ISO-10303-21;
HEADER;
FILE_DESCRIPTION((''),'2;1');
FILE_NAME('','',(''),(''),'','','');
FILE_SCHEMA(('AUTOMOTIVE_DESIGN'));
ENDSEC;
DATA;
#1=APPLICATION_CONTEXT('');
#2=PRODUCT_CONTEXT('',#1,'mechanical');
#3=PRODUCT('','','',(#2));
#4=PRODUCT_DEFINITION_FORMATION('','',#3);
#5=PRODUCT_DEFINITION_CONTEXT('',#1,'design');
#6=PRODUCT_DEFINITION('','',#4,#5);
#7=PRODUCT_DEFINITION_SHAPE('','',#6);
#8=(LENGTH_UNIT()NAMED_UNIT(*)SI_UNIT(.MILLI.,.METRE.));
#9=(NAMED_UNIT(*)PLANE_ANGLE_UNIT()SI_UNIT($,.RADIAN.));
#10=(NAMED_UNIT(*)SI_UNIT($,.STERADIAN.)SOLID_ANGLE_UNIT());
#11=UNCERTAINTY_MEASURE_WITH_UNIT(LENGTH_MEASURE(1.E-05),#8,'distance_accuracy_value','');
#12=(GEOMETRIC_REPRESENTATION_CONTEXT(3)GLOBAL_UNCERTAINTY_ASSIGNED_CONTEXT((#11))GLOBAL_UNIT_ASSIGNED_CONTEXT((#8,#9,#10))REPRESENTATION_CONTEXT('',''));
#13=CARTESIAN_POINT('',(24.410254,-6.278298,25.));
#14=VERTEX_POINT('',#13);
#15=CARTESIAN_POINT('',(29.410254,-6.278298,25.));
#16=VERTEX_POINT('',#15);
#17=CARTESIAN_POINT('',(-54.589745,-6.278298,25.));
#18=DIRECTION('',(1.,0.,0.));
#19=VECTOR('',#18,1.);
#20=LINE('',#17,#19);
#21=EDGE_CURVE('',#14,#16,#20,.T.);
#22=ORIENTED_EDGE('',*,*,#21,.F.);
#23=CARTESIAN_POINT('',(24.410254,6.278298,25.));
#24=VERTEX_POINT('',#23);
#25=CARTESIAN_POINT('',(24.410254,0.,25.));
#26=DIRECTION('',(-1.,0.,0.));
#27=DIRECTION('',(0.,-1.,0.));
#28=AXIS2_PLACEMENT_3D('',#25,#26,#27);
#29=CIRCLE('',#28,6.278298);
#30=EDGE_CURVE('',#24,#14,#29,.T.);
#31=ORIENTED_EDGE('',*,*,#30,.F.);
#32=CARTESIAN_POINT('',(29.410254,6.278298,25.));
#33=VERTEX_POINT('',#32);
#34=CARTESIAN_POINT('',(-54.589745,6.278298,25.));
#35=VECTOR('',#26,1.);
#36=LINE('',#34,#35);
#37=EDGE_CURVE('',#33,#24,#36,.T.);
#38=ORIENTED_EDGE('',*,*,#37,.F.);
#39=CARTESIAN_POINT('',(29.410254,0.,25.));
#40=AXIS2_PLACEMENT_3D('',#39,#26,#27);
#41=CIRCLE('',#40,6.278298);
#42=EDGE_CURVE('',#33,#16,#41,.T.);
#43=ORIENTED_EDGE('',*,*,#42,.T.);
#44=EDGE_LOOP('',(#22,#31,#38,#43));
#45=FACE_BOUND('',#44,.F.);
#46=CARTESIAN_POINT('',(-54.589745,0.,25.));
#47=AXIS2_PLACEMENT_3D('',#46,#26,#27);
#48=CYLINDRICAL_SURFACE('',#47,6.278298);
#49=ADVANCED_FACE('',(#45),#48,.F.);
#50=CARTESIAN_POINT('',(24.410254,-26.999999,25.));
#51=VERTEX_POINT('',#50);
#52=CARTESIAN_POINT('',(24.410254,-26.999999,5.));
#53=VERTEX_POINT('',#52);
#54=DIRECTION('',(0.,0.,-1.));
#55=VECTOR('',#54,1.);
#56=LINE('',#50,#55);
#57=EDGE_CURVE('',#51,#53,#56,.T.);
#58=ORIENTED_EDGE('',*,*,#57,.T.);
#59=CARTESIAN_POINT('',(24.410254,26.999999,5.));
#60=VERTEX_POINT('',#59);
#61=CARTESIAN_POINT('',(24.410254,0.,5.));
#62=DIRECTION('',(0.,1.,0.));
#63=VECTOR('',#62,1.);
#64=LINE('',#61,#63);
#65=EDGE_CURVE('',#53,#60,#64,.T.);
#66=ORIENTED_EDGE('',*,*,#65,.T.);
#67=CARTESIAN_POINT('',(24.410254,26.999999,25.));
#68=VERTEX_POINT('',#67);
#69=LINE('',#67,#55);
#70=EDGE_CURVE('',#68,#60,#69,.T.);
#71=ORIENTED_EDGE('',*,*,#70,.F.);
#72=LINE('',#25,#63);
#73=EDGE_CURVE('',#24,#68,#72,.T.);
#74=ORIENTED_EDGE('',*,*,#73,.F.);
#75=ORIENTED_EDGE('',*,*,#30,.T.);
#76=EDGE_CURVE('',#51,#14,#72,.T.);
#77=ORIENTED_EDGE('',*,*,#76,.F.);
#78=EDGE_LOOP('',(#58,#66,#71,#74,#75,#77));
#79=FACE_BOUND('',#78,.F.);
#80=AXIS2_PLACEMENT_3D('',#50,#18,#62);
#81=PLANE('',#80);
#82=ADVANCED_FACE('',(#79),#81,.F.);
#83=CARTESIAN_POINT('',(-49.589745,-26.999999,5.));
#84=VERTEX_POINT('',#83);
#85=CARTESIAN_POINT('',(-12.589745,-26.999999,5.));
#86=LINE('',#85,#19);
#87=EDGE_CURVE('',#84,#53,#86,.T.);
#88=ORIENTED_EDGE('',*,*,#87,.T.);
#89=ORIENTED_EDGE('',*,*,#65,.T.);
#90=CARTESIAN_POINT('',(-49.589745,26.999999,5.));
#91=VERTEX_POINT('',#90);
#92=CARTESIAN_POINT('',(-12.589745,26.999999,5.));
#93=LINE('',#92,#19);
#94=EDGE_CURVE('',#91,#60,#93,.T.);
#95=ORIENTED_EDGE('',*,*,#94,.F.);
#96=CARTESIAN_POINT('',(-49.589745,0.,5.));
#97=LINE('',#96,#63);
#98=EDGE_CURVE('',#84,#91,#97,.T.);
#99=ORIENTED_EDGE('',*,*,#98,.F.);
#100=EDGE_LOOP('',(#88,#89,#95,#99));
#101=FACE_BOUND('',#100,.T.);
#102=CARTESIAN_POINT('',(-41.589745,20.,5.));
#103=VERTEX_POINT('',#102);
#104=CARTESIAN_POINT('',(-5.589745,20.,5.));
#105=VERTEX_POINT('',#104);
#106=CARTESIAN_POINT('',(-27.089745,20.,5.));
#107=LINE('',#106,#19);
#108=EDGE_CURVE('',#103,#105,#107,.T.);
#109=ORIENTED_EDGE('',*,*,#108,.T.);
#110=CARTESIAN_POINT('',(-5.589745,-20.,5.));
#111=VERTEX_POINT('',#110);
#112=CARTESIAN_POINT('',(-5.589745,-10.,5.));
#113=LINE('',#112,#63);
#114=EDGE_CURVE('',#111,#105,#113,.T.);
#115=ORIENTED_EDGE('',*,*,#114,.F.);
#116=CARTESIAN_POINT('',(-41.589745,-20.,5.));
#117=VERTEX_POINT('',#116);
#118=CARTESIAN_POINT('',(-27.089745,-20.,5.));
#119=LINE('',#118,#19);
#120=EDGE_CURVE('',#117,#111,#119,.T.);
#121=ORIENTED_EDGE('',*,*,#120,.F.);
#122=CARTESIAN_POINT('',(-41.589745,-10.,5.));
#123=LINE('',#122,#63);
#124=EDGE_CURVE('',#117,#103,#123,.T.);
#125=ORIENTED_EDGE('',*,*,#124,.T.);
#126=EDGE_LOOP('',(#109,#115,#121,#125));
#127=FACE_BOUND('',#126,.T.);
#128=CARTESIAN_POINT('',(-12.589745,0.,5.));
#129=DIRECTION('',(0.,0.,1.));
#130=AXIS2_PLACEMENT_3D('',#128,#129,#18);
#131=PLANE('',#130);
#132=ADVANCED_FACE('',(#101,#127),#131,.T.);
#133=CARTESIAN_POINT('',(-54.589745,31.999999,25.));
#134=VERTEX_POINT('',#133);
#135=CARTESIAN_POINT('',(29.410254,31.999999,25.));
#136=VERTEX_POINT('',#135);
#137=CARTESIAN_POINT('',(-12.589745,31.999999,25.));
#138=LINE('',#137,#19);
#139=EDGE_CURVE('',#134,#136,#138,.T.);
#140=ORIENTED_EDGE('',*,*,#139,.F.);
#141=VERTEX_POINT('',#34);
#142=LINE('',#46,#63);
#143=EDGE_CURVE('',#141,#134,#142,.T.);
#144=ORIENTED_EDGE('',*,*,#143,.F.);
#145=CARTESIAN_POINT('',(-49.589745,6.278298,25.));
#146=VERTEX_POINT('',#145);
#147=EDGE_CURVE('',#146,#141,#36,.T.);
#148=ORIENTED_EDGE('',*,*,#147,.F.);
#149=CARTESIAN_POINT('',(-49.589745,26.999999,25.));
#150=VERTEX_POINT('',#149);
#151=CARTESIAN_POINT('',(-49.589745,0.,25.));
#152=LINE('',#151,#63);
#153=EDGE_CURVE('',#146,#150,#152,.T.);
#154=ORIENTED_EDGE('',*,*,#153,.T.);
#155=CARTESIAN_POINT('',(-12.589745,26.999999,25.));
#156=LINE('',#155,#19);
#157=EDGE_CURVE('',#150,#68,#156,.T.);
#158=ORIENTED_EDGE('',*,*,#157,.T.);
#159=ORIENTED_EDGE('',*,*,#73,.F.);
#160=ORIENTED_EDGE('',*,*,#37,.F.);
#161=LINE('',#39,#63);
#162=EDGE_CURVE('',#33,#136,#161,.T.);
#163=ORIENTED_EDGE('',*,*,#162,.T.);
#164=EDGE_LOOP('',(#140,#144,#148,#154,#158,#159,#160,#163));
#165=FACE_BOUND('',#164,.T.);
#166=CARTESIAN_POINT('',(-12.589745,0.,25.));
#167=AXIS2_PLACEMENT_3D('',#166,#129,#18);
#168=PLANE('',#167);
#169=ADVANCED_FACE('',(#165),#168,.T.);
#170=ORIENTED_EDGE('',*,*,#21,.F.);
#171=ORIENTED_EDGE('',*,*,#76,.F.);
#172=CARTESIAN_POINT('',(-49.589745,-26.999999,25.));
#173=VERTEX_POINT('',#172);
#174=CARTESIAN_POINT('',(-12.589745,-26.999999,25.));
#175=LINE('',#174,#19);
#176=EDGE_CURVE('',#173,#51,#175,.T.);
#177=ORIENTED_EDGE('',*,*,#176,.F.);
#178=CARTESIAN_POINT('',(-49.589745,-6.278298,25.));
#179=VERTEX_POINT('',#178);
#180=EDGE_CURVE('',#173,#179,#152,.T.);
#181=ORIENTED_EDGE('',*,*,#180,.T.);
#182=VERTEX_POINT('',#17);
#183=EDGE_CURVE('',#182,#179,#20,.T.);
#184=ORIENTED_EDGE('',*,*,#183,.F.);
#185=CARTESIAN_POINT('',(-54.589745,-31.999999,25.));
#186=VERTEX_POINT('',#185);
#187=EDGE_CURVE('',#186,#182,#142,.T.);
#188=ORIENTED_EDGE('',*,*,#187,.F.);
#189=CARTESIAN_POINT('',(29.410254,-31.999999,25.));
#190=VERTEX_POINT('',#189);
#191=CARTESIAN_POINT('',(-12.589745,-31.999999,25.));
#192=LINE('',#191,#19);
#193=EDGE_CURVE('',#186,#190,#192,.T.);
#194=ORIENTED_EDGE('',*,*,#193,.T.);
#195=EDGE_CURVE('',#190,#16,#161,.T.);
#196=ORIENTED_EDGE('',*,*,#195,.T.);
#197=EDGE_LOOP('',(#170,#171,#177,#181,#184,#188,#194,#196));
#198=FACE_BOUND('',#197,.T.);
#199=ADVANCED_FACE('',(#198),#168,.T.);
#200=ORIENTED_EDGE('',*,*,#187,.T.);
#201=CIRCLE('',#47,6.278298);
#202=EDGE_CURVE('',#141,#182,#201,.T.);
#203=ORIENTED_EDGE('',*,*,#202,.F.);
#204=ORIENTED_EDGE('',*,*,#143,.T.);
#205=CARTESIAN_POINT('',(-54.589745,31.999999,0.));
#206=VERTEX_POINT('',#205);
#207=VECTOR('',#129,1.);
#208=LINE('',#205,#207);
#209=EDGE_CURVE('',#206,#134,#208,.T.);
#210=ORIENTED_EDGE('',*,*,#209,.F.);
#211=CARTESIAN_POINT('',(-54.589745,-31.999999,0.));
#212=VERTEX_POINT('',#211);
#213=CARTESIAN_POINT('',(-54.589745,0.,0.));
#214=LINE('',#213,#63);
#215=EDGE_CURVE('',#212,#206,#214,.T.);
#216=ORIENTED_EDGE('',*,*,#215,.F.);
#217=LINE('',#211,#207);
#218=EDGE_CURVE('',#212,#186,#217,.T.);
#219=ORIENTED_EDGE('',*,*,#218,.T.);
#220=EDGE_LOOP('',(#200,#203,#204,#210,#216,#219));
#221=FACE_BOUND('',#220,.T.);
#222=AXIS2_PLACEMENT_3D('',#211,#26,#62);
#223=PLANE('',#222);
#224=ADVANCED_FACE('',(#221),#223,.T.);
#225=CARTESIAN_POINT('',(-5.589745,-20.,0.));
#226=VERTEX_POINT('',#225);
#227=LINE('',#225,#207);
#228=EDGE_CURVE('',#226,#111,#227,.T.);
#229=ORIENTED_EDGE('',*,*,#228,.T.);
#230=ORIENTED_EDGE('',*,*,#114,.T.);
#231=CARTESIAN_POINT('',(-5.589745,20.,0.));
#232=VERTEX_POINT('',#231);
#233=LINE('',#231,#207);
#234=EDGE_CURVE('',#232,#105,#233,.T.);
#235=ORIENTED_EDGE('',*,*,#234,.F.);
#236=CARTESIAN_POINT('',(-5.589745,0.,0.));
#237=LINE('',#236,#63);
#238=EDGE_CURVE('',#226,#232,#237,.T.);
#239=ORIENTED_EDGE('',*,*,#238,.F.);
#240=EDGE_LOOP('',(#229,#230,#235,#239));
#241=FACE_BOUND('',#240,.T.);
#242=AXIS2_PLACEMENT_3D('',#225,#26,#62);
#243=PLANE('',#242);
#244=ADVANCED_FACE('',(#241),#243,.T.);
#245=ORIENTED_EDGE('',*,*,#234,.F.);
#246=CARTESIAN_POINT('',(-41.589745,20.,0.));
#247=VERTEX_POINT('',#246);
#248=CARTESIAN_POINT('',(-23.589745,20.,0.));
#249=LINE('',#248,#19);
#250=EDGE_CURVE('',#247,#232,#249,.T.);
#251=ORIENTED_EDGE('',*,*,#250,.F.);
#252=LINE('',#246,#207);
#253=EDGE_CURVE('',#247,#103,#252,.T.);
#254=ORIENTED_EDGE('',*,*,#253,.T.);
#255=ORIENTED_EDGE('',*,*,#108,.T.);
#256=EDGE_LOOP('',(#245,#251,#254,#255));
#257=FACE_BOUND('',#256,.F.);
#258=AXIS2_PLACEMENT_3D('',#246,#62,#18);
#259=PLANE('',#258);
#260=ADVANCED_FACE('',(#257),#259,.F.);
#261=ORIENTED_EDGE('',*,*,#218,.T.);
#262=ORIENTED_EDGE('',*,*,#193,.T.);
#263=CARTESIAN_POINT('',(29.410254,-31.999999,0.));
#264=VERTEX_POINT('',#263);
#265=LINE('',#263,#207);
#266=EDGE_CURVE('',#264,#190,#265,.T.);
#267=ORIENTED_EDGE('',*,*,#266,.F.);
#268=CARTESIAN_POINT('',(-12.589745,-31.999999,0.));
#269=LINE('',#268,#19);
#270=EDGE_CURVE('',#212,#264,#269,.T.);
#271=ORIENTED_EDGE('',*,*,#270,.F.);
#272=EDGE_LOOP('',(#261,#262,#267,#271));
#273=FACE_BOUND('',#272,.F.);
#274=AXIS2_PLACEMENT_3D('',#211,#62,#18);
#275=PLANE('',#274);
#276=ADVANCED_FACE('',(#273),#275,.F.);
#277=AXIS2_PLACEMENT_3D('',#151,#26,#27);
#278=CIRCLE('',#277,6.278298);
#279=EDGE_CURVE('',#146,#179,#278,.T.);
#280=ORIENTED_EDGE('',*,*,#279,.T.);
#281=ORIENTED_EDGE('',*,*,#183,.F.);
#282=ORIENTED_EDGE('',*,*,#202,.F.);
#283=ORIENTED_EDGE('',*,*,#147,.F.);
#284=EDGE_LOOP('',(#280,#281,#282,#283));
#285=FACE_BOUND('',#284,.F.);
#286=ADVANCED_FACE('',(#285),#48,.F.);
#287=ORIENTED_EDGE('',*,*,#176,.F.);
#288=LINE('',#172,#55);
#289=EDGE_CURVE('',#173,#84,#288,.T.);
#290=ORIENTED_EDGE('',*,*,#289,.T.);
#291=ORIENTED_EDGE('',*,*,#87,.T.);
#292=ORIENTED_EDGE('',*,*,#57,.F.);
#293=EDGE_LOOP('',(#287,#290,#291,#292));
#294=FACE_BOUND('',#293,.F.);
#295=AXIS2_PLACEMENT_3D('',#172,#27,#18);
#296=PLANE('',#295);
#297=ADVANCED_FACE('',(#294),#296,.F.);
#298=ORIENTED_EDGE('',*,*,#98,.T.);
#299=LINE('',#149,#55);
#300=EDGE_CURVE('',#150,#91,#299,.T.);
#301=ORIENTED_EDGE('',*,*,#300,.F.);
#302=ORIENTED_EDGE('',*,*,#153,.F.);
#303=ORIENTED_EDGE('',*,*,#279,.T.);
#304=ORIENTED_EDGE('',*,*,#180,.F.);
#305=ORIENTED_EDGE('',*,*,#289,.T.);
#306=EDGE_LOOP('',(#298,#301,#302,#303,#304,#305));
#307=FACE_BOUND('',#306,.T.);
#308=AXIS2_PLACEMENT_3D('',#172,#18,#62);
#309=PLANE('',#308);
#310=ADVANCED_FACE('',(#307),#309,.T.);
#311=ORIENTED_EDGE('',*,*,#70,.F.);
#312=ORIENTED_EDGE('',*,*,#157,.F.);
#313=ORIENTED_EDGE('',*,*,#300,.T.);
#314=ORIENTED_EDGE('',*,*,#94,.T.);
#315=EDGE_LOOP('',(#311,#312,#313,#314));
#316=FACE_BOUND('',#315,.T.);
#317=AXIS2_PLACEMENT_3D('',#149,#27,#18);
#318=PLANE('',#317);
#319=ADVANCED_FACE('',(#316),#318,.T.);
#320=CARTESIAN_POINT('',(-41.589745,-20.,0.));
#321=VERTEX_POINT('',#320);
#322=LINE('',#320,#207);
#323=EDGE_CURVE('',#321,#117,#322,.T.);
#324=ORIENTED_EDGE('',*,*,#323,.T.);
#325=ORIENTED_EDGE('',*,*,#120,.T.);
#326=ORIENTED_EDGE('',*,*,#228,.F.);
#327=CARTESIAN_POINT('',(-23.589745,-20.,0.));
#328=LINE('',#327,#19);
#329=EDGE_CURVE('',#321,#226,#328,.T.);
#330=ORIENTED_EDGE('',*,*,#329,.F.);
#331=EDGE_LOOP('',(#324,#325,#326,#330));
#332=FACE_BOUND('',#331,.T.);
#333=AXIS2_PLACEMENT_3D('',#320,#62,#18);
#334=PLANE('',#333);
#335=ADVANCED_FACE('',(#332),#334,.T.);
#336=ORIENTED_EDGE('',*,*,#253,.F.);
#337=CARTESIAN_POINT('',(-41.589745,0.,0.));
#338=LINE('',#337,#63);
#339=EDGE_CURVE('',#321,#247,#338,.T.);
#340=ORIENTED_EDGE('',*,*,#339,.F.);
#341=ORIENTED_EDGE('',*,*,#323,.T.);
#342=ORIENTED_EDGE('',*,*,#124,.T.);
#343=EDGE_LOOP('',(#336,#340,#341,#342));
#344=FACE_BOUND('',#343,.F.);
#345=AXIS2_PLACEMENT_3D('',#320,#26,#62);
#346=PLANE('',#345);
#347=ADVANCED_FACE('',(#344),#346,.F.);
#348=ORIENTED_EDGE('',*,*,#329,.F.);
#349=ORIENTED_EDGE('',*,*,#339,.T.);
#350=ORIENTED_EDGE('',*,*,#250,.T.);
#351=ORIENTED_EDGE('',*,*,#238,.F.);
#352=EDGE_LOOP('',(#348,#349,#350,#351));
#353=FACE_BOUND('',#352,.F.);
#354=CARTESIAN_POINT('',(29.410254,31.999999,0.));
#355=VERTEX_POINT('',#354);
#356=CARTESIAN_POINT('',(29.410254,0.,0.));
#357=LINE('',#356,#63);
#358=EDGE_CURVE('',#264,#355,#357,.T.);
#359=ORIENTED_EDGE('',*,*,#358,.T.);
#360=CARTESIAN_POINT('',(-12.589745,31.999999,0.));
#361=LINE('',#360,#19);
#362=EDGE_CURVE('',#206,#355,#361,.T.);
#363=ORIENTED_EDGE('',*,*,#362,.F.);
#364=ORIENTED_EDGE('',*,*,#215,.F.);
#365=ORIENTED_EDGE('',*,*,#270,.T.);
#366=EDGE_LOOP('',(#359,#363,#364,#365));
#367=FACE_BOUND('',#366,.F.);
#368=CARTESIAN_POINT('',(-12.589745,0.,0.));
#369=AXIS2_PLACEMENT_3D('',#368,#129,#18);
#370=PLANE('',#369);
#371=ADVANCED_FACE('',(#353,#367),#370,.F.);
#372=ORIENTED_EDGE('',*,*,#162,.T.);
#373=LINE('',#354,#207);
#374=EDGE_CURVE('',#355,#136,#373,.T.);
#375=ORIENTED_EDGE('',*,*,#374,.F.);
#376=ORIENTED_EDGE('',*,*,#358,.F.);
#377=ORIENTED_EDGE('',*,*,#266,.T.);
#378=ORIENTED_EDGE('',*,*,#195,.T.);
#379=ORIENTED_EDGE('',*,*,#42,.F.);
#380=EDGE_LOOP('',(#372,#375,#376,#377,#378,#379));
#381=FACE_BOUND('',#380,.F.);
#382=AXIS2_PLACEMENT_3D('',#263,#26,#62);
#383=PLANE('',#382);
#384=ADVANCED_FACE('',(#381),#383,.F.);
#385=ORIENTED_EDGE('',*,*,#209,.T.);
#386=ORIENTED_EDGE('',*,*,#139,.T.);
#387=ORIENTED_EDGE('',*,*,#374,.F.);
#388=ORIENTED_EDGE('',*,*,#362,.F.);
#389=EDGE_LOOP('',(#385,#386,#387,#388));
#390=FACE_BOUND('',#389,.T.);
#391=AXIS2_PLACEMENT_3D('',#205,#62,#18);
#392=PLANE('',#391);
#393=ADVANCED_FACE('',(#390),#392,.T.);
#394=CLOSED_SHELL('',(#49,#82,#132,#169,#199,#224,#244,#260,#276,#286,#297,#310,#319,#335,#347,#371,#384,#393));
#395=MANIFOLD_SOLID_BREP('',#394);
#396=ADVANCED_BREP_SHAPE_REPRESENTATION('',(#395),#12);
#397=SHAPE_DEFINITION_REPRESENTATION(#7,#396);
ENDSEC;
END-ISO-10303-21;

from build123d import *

# Parameters (mm, degrees)
F0_W     = 83.9999988675
F0_H     = 63.9999988675
F0_W_2   = 36
F0_H_2   = 40
F1_DEPTH = 25
F2_W     = 73.9999988675
F2_H     = 53.9999988675
F3_DEPTH = 20
F4_R     = 6.2782984732
F5_DEPTH = 100


with BuildPart() as f1:
    # F0 (on Top) → F1 (new body)
    with BuildSketch(Plane.XY):
        with Locations((-12.5897452821, 0)):
            Rectangle(F0_W, F0_H)
        with Locations((-23.5897447158, 0)):
            Rectangle(F0_W_2, F0_H_2, mode=Mode.SUBTRACT)
    extrude(amount=F1_DEPTH)

    # F2 (on face) → F3 (cut)
    with BuildSketch(Plane.XY.offset(25)):
        with Locations((-12.5897452821, 0)):
            Rectangle(F2_W, F2_H)
    extrude(amount=-F3_DEPTH, mode=Mode.SUBTRACT)

    # F4 (on face) → F5 (cut)
    with BuildSketch(Plane(origin=(-54.5897447158, 0, 0), x_dir=(0, -1, 0), z_dir=(-1, 0, 0))):
        with Locations((0, 25)):
            Circle(F4_R)
    extrude(amount=-F5_DEPTH, mode=Mode.SUBTRACT)


solid = f1.part
